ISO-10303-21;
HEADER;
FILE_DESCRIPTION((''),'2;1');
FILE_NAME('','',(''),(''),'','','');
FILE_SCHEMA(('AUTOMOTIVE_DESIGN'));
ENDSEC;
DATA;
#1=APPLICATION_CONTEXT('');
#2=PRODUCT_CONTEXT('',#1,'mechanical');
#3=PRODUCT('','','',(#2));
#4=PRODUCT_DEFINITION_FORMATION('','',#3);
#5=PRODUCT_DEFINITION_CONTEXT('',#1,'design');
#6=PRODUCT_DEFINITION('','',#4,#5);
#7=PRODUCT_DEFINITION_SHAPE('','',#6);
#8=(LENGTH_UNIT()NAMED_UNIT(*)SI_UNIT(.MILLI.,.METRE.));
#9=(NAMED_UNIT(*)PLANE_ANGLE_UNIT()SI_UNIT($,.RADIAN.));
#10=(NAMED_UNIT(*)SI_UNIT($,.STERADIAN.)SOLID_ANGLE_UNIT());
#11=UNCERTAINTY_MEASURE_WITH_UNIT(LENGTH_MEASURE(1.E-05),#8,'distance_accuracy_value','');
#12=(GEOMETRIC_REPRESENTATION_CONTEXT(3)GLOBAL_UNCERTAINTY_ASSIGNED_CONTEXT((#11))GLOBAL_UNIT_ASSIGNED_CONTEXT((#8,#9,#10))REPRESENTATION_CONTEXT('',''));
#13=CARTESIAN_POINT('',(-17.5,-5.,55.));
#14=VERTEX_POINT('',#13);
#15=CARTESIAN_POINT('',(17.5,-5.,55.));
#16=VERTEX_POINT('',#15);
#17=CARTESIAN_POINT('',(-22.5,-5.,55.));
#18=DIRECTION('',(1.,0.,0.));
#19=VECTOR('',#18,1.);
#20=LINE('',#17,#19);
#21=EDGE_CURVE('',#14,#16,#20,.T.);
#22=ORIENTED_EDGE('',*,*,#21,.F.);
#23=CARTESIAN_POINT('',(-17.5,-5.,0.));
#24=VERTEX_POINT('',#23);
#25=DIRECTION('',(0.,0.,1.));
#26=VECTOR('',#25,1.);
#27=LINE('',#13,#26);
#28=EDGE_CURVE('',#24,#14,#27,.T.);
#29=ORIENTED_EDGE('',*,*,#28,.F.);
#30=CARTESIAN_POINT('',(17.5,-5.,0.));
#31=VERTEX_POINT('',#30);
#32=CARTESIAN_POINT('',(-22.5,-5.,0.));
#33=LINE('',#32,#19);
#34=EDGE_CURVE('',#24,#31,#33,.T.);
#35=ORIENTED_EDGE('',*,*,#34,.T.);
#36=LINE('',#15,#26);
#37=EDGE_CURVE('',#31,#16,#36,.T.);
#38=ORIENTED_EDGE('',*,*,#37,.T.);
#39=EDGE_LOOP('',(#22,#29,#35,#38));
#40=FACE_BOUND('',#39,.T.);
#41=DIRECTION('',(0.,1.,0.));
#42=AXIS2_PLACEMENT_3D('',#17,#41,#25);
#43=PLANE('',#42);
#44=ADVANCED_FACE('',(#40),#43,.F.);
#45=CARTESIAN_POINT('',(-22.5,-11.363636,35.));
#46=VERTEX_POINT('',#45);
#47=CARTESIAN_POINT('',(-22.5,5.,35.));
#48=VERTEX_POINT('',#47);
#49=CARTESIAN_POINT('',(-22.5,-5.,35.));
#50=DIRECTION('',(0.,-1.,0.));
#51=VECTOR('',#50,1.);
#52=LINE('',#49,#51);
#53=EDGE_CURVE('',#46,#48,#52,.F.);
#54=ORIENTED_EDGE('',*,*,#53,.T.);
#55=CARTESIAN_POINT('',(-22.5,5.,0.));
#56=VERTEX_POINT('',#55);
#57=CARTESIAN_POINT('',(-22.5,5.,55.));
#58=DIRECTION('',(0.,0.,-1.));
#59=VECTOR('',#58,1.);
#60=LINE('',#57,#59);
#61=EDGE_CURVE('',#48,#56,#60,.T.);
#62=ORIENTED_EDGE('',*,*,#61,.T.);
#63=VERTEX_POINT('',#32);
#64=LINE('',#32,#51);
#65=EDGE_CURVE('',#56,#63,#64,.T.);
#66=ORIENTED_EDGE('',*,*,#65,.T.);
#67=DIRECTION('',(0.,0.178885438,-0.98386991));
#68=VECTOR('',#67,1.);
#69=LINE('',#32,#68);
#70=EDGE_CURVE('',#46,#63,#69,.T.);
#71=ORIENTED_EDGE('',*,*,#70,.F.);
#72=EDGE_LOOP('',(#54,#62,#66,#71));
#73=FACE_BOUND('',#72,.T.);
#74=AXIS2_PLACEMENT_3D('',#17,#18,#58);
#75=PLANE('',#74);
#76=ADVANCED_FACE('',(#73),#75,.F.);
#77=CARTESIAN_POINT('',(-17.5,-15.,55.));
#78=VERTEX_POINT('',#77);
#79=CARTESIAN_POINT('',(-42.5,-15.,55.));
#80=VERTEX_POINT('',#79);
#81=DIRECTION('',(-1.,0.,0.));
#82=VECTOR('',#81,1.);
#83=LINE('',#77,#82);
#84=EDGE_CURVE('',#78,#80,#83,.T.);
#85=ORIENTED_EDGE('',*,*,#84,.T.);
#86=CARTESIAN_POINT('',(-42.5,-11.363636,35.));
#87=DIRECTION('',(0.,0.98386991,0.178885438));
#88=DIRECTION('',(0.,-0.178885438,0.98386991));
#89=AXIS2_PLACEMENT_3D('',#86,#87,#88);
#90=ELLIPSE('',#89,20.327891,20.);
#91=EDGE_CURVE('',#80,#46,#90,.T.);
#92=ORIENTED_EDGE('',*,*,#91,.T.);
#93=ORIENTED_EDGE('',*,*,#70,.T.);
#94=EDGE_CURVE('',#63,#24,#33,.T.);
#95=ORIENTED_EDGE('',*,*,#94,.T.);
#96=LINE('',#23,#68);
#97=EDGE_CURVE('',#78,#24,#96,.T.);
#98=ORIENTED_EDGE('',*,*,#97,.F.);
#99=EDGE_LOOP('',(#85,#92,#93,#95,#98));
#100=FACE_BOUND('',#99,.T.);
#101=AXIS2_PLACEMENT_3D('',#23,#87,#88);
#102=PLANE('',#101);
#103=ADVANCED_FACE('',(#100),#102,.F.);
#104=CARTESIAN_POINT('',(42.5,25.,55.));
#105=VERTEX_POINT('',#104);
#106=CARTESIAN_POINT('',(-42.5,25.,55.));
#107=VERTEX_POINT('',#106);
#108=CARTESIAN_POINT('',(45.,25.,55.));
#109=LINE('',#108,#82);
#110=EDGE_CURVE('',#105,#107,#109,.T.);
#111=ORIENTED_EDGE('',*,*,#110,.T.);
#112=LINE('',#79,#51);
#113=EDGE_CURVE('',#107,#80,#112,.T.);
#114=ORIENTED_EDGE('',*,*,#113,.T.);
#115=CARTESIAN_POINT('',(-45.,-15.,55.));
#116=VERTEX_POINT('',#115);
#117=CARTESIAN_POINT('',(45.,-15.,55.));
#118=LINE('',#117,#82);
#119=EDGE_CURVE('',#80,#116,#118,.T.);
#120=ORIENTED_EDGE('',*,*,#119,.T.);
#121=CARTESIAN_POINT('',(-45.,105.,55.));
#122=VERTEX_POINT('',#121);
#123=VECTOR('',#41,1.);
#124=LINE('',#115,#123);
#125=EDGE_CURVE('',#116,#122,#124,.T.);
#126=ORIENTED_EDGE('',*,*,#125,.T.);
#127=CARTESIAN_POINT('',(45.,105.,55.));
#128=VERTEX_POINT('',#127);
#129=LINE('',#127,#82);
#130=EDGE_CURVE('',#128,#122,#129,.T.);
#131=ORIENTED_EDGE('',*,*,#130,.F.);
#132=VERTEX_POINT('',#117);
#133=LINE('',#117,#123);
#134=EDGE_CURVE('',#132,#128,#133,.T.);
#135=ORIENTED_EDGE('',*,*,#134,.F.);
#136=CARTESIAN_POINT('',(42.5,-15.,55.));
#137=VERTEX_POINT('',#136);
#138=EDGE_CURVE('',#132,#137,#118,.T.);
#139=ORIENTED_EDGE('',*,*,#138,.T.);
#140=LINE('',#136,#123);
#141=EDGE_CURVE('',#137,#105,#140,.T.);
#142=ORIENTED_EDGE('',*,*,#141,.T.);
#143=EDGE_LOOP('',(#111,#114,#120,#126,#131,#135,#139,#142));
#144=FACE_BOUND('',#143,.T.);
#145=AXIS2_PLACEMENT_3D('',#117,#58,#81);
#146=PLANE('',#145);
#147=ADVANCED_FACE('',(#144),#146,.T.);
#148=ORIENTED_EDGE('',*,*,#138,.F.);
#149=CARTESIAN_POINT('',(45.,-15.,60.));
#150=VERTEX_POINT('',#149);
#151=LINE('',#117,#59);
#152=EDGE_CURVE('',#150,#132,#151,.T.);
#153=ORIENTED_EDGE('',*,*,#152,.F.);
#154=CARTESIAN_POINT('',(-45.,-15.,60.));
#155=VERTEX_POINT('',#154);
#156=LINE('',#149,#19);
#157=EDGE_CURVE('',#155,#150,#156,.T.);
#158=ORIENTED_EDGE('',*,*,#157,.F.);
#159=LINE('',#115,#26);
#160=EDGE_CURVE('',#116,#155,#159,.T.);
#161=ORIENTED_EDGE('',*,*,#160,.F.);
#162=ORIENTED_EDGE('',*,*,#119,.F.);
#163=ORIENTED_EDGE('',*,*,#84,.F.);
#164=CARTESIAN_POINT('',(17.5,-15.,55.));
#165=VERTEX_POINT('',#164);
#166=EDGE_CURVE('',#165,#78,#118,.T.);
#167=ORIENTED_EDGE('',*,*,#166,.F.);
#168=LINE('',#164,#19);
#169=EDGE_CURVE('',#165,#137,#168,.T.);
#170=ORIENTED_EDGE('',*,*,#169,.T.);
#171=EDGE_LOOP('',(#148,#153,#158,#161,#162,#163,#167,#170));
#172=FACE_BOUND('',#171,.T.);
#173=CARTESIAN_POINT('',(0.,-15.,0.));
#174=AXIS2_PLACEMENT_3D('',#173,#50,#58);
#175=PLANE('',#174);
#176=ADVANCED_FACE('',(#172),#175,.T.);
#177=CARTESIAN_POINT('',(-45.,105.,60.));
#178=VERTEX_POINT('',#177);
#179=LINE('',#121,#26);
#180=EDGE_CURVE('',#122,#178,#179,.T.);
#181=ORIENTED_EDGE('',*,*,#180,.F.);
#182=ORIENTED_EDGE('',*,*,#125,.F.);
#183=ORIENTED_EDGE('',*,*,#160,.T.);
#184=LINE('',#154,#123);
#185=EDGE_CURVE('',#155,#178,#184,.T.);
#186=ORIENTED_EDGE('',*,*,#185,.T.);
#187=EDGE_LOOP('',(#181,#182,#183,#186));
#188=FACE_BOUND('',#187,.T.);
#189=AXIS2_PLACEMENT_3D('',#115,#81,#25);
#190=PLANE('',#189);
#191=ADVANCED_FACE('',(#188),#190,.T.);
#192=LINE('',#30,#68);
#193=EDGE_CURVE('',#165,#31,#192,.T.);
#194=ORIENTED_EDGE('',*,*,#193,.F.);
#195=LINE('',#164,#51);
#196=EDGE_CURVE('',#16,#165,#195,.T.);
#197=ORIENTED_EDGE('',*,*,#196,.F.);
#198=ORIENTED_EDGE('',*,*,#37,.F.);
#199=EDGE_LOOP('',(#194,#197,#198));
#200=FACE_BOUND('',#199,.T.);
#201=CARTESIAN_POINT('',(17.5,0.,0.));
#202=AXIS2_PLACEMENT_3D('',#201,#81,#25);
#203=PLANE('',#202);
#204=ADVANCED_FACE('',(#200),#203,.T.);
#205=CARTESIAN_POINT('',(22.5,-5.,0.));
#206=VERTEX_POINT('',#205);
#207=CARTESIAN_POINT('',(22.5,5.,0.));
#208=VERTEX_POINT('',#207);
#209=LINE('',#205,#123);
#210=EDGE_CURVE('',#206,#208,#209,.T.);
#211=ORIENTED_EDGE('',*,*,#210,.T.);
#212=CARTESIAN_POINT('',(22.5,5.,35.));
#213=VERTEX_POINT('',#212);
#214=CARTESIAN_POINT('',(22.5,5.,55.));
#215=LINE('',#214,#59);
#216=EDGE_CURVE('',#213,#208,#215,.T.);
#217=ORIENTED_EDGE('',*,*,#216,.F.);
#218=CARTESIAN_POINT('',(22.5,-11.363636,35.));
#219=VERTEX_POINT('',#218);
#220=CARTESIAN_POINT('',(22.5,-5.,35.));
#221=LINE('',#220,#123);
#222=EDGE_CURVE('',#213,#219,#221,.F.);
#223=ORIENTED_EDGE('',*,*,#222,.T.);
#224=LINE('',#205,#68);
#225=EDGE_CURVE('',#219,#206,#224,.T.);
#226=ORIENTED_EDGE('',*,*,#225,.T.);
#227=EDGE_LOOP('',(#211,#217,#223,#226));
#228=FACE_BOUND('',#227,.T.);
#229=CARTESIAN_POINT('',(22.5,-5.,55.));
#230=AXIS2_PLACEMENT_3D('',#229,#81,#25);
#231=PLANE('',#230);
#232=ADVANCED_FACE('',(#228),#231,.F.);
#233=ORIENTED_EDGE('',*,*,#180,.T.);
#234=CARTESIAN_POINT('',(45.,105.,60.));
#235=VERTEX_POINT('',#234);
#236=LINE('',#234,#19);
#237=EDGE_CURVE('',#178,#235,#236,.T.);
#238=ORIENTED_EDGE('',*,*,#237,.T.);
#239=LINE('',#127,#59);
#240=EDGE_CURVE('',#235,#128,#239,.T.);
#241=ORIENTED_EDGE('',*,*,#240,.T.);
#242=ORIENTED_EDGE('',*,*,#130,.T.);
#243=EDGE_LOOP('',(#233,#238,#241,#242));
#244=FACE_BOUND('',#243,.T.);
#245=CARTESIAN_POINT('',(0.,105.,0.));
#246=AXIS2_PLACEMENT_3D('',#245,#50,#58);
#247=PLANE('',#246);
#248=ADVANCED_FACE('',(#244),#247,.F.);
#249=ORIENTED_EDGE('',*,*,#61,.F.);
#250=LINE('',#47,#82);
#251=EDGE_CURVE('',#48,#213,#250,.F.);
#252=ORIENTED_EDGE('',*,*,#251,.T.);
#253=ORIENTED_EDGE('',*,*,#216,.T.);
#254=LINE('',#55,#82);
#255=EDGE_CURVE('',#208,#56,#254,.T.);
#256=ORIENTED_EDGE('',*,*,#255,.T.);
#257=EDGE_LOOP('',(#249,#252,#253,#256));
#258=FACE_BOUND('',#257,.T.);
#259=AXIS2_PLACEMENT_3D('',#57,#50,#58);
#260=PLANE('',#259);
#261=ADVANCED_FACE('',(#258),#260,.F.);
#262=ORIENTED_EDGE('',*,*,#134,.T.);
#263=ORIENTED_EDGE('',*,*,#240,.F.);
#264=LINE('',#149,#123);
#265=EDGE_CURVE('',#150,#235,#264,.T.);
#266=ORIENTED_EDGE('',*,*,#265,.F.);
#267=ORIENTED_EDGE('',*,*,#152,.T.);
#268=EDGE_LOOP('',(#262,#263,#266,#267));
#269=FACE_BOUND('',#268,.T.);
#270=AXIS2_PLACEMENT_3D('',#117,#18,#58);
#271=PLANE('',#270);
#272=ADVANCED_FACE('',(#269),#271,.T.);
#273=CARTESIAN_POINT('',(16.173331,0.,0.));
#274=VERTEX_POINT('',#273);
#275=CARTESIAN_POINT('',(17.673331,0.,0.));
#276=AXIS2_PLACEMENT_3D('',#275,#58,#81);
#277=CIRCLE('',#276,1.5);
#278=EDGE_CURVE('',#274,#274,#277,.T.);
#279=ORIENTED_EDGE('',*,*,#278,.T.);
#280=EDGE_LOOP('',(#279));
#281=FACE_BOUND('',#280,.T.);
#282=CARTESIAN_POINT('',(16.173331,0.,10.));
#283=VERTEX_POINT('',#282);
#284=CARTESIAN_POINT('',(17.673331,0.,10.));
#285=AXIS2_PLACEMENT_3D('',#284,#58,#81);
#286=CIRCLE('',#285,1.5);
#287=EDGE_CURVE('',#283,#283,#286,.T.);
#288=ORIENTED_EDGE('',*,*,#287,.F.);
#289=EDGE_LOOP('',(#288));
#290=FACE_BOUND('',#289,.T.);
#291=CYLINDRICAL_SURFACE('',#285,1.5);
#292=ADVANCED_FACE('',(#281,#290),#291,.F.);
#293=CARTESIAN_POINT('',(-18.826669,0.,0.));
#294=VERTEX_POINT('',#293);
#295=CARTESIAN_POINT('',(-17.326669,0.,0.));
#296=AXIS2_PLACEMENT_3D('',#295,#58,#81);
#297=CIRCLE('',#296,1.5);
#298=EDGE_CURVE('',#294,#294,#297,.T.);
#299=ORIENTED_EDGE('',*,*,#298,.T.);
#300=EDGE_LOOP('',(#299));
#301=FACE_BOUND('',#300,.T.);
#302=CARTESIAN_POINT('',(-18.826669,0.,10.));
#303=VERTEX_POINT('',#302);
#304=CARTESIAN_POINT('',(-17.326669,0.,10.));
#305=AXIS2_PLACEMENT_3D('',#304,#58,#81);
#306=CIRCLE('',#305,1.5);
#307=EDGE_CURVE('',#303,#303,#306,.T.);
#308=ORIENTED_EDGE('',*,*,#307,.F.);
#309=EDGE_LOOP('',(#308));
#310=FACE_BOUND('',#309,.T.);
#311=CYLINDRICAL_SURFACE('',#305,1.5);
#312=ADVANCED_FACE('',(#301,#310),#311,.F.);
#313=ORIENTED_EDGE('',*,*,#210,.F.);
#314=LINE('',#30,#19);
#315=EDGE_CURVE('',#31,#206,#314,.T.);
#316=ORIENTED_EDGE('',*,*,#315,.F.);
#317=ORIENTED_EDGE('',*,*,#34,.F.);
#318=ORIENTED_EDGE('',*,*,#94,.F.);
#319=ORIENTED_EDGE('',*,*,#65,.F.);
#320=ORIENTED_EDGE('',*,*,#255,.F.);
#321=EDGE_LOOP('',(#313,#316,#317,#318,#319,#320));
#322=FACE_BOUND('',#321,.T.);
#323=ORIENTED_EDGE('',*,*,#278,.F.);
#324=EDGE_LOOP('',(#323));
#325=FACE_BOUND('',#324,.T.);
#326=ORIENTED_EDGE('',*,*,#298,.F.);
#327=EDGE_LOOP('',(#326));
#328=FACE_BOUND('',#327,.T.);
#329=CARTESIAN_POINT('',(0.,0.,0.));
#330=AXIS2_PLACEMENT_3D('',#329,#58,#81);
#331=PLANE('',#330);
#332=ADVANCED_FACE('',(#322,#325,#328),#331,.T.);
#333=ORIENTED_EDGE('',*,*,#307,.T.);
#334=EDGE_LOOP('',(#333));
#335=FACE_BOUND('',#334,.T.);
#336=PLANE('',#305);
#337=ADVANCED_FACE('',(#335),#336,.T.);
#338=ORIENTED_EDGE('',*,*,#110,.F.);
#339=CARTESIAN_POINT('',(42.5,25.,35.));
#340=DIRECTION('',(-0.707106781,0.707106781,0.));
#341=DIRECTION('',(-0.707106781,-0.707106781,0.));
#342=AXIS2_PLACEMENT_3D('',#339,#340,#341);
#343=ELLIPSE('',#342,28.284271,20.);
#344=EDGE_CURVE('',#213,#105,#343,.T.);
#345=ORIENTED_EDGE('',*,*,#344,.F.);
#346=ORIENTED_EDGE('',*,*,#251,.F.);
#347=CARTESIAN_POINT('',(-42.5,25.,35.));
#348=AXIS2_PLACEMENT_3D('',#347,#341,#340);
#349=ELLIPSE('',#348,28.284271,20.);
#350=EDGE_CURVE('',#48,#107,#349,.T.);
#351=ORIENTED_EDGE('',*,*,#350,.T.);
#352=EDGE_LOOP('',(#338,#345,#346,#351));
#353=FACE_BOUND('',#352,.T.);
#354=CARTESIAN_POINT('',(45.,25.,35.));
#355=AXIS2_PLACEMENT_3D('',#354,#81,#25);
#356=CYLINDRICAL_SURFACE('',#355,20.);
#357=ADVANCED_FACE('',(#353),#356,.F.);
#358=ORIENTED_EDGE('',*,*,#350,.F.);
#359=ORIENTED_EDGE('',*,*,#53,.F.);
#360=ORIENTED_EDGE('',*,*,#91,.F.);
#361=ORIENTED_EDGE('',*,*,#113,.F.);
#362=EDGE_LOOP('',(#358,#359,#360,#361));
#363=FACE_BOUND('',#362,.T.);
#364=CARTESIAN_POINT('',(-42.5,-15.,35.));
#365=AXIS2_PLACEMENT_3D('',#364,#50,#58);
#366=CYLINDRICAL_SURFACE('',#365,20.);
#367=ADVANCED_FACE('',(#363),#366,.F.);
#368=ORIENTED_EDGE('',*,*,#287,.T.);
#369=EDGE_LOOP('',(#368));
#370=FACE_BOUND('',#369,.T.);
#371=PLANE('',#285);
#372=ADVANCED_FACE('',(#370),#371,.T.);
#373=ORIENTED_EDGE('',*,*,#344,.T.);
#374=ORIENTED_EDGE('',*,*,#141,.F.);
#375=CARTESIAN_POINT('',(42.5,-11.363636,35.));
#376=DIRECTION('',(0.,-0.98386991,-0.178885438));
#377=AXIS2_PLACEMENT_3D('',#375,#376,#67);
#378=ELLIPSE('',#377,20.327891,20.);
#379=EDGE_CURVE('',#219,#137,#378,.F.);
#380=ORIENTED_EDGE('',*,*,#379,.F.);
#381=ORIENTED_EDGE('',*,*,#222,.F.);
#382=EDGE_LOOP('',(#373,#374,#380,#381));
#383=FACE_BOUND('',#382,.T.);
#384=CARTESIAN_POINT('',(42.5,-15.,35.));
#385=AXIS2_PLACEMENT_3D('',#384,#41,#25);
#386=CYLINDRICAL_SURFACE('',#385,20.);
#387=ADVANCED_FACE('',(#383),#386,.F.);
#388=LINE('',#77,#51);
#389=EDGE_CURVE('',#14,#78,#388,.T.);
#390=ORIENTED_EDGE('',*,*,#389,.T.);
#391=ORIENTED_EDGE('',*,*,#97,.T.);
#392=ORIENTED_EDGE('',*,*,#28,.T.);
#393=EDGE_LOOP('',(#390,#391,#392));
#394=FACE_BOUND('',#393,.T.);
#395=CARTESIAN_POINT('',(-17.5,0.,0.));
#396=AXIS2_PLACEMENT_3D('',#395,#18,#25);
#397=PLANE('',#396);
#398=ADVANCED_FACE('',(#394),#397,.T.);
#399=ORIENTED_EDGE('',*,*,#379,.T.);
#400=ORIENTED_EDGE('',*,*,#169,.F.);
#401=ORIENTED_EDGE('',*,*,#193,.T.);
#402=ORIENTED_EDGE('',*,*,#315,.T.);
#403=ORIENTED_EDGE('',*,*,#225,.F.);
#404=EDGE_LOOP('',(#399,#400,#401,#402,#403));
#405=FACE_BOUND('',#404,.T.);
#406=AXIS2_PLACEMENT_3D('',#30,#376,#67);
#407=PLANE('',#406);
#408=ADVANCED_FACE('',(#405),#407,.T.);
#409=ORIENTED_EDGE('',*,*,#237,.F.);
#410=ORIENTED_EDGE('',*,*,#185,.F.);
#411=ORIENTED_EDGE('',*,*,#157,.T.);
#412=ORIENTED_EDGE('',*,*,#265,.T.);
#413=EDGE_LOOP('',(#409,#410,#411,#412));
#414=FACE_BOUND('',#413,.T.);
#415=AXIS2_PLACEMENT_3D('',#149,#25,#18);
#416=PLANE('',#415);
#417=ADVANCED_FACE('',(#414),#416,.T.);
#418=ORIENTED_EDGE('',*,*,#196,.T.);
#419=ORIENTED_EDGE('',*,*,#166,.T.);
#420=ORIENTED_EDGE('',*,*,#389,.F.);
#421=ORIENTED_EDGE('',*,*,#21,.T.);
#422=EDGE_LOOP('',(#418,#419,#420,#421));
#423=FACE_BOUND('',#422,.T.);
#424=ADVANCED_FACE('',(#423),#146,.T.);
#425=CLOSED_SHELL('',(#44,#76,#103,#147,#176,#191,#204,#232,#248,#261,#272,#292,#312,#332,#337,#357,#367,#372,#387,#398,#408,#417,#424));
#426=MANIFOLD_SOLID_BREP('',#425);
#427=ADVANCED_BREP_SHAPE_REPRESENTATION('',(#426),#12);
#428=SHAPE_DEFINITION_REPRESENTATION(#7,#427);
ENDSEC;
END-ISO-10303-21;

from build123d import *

# Parameters (mm, degrees)
ESBO_O1_W                     = 45
ESBO_O1_H                     = 10
RESSALTO_EXTRUS_O1_DEPTH      = 55
RESSALTO_EXTRUS_O2_DEPTH      = 100
RESSALTO_EXTRUS_O2_DEPTH_BACK = 20
ESBO_O2_W                     = 90
ESBO_O2_H                     = 5
RESSALTO_EXTRUS_O3_DEPTH      = 5
FILETE1_R                     = 20
ESBO_O6_R                     = 1.5
CORTE_EXTRUS_O1_DEPTH         = 10


with BuildPart() as part:
    # Esboço1 → Ressalto-extrusão1 (new body)
    with BuildSketch(Plane.XY):
        Rectangle(ESBO_O1_W, ESBO_O1_H)
    extrude(amount=RESSALTO_EXTRUS_O1_DEPTH)

    # Esboço2 → Ressalto-extrusão2 (add, two sides: drawn at the far end of the back side and taken through both)
    with BuildSketch(Plane(origin=(0, 5, 0), x_dir=(1, 0, 0), z_dir=(0, 1, 0)).offset(-RESSALTO_EXTRUS_O2_DEPTH_BACK)):
        with Locations((0, -57.5)):
            Rectangle(ESBO_O2_W, ESBO_O2_H)
    extrude(amount=RESSALTO_EXTRUS_O2_DEPTH + RESSALTO_EXTRUS_O2_DEPTH_BACK)

    # Esboço5 → Ressalto-extrusão3 (add)
    with BuildSketch(Plane(origin=(22.5, 0, 0), x_dir=(0, 0, -1), z_dir=(1, 0, 0))):
        Polygon((-55, -5), (0, -5), (-55, -15), align=None)
    ressalto_extrus_o3 = extrude(amount=-RESSALTO_EXTRUS_O3_DEPTH)

    # Espelhar1: Ressalto-extrusão3 across plane
    add(ressalto_extrus_o3.mirror(Plane(origin=(0, 0, 0), x_dir=(0, 0, 1), z_dir=(1, 0, 0))))

    # Filete1
    filete1_edges = [part.edges().sort_by_distance(p)[0] for p in [
        (-22.5, -5, 55),
        (22.5, -5, 55),
        (0, 5, 55),
    ]]
    fillet(filete1_edges, radius=FILETE1_R)

    # Esboço6 → Corte-extrusão1 (cut)
    with BuildSketch(Plane(origin=(0, 0, 0), x_dir=(-1, 0, 0), z_dir=(0, 0, -1))):
        with Locations((-17.673330857, 0)):
            Circle(ESBO_O6_R)
        with Locations((17.326669143, 0)):
            Circle(ESBO_O6_R)
    extrude(amount=-CORTE_EXTRUS_O1_DEPTH, mode=Mode.SUBTRACT)


solid = part.part
